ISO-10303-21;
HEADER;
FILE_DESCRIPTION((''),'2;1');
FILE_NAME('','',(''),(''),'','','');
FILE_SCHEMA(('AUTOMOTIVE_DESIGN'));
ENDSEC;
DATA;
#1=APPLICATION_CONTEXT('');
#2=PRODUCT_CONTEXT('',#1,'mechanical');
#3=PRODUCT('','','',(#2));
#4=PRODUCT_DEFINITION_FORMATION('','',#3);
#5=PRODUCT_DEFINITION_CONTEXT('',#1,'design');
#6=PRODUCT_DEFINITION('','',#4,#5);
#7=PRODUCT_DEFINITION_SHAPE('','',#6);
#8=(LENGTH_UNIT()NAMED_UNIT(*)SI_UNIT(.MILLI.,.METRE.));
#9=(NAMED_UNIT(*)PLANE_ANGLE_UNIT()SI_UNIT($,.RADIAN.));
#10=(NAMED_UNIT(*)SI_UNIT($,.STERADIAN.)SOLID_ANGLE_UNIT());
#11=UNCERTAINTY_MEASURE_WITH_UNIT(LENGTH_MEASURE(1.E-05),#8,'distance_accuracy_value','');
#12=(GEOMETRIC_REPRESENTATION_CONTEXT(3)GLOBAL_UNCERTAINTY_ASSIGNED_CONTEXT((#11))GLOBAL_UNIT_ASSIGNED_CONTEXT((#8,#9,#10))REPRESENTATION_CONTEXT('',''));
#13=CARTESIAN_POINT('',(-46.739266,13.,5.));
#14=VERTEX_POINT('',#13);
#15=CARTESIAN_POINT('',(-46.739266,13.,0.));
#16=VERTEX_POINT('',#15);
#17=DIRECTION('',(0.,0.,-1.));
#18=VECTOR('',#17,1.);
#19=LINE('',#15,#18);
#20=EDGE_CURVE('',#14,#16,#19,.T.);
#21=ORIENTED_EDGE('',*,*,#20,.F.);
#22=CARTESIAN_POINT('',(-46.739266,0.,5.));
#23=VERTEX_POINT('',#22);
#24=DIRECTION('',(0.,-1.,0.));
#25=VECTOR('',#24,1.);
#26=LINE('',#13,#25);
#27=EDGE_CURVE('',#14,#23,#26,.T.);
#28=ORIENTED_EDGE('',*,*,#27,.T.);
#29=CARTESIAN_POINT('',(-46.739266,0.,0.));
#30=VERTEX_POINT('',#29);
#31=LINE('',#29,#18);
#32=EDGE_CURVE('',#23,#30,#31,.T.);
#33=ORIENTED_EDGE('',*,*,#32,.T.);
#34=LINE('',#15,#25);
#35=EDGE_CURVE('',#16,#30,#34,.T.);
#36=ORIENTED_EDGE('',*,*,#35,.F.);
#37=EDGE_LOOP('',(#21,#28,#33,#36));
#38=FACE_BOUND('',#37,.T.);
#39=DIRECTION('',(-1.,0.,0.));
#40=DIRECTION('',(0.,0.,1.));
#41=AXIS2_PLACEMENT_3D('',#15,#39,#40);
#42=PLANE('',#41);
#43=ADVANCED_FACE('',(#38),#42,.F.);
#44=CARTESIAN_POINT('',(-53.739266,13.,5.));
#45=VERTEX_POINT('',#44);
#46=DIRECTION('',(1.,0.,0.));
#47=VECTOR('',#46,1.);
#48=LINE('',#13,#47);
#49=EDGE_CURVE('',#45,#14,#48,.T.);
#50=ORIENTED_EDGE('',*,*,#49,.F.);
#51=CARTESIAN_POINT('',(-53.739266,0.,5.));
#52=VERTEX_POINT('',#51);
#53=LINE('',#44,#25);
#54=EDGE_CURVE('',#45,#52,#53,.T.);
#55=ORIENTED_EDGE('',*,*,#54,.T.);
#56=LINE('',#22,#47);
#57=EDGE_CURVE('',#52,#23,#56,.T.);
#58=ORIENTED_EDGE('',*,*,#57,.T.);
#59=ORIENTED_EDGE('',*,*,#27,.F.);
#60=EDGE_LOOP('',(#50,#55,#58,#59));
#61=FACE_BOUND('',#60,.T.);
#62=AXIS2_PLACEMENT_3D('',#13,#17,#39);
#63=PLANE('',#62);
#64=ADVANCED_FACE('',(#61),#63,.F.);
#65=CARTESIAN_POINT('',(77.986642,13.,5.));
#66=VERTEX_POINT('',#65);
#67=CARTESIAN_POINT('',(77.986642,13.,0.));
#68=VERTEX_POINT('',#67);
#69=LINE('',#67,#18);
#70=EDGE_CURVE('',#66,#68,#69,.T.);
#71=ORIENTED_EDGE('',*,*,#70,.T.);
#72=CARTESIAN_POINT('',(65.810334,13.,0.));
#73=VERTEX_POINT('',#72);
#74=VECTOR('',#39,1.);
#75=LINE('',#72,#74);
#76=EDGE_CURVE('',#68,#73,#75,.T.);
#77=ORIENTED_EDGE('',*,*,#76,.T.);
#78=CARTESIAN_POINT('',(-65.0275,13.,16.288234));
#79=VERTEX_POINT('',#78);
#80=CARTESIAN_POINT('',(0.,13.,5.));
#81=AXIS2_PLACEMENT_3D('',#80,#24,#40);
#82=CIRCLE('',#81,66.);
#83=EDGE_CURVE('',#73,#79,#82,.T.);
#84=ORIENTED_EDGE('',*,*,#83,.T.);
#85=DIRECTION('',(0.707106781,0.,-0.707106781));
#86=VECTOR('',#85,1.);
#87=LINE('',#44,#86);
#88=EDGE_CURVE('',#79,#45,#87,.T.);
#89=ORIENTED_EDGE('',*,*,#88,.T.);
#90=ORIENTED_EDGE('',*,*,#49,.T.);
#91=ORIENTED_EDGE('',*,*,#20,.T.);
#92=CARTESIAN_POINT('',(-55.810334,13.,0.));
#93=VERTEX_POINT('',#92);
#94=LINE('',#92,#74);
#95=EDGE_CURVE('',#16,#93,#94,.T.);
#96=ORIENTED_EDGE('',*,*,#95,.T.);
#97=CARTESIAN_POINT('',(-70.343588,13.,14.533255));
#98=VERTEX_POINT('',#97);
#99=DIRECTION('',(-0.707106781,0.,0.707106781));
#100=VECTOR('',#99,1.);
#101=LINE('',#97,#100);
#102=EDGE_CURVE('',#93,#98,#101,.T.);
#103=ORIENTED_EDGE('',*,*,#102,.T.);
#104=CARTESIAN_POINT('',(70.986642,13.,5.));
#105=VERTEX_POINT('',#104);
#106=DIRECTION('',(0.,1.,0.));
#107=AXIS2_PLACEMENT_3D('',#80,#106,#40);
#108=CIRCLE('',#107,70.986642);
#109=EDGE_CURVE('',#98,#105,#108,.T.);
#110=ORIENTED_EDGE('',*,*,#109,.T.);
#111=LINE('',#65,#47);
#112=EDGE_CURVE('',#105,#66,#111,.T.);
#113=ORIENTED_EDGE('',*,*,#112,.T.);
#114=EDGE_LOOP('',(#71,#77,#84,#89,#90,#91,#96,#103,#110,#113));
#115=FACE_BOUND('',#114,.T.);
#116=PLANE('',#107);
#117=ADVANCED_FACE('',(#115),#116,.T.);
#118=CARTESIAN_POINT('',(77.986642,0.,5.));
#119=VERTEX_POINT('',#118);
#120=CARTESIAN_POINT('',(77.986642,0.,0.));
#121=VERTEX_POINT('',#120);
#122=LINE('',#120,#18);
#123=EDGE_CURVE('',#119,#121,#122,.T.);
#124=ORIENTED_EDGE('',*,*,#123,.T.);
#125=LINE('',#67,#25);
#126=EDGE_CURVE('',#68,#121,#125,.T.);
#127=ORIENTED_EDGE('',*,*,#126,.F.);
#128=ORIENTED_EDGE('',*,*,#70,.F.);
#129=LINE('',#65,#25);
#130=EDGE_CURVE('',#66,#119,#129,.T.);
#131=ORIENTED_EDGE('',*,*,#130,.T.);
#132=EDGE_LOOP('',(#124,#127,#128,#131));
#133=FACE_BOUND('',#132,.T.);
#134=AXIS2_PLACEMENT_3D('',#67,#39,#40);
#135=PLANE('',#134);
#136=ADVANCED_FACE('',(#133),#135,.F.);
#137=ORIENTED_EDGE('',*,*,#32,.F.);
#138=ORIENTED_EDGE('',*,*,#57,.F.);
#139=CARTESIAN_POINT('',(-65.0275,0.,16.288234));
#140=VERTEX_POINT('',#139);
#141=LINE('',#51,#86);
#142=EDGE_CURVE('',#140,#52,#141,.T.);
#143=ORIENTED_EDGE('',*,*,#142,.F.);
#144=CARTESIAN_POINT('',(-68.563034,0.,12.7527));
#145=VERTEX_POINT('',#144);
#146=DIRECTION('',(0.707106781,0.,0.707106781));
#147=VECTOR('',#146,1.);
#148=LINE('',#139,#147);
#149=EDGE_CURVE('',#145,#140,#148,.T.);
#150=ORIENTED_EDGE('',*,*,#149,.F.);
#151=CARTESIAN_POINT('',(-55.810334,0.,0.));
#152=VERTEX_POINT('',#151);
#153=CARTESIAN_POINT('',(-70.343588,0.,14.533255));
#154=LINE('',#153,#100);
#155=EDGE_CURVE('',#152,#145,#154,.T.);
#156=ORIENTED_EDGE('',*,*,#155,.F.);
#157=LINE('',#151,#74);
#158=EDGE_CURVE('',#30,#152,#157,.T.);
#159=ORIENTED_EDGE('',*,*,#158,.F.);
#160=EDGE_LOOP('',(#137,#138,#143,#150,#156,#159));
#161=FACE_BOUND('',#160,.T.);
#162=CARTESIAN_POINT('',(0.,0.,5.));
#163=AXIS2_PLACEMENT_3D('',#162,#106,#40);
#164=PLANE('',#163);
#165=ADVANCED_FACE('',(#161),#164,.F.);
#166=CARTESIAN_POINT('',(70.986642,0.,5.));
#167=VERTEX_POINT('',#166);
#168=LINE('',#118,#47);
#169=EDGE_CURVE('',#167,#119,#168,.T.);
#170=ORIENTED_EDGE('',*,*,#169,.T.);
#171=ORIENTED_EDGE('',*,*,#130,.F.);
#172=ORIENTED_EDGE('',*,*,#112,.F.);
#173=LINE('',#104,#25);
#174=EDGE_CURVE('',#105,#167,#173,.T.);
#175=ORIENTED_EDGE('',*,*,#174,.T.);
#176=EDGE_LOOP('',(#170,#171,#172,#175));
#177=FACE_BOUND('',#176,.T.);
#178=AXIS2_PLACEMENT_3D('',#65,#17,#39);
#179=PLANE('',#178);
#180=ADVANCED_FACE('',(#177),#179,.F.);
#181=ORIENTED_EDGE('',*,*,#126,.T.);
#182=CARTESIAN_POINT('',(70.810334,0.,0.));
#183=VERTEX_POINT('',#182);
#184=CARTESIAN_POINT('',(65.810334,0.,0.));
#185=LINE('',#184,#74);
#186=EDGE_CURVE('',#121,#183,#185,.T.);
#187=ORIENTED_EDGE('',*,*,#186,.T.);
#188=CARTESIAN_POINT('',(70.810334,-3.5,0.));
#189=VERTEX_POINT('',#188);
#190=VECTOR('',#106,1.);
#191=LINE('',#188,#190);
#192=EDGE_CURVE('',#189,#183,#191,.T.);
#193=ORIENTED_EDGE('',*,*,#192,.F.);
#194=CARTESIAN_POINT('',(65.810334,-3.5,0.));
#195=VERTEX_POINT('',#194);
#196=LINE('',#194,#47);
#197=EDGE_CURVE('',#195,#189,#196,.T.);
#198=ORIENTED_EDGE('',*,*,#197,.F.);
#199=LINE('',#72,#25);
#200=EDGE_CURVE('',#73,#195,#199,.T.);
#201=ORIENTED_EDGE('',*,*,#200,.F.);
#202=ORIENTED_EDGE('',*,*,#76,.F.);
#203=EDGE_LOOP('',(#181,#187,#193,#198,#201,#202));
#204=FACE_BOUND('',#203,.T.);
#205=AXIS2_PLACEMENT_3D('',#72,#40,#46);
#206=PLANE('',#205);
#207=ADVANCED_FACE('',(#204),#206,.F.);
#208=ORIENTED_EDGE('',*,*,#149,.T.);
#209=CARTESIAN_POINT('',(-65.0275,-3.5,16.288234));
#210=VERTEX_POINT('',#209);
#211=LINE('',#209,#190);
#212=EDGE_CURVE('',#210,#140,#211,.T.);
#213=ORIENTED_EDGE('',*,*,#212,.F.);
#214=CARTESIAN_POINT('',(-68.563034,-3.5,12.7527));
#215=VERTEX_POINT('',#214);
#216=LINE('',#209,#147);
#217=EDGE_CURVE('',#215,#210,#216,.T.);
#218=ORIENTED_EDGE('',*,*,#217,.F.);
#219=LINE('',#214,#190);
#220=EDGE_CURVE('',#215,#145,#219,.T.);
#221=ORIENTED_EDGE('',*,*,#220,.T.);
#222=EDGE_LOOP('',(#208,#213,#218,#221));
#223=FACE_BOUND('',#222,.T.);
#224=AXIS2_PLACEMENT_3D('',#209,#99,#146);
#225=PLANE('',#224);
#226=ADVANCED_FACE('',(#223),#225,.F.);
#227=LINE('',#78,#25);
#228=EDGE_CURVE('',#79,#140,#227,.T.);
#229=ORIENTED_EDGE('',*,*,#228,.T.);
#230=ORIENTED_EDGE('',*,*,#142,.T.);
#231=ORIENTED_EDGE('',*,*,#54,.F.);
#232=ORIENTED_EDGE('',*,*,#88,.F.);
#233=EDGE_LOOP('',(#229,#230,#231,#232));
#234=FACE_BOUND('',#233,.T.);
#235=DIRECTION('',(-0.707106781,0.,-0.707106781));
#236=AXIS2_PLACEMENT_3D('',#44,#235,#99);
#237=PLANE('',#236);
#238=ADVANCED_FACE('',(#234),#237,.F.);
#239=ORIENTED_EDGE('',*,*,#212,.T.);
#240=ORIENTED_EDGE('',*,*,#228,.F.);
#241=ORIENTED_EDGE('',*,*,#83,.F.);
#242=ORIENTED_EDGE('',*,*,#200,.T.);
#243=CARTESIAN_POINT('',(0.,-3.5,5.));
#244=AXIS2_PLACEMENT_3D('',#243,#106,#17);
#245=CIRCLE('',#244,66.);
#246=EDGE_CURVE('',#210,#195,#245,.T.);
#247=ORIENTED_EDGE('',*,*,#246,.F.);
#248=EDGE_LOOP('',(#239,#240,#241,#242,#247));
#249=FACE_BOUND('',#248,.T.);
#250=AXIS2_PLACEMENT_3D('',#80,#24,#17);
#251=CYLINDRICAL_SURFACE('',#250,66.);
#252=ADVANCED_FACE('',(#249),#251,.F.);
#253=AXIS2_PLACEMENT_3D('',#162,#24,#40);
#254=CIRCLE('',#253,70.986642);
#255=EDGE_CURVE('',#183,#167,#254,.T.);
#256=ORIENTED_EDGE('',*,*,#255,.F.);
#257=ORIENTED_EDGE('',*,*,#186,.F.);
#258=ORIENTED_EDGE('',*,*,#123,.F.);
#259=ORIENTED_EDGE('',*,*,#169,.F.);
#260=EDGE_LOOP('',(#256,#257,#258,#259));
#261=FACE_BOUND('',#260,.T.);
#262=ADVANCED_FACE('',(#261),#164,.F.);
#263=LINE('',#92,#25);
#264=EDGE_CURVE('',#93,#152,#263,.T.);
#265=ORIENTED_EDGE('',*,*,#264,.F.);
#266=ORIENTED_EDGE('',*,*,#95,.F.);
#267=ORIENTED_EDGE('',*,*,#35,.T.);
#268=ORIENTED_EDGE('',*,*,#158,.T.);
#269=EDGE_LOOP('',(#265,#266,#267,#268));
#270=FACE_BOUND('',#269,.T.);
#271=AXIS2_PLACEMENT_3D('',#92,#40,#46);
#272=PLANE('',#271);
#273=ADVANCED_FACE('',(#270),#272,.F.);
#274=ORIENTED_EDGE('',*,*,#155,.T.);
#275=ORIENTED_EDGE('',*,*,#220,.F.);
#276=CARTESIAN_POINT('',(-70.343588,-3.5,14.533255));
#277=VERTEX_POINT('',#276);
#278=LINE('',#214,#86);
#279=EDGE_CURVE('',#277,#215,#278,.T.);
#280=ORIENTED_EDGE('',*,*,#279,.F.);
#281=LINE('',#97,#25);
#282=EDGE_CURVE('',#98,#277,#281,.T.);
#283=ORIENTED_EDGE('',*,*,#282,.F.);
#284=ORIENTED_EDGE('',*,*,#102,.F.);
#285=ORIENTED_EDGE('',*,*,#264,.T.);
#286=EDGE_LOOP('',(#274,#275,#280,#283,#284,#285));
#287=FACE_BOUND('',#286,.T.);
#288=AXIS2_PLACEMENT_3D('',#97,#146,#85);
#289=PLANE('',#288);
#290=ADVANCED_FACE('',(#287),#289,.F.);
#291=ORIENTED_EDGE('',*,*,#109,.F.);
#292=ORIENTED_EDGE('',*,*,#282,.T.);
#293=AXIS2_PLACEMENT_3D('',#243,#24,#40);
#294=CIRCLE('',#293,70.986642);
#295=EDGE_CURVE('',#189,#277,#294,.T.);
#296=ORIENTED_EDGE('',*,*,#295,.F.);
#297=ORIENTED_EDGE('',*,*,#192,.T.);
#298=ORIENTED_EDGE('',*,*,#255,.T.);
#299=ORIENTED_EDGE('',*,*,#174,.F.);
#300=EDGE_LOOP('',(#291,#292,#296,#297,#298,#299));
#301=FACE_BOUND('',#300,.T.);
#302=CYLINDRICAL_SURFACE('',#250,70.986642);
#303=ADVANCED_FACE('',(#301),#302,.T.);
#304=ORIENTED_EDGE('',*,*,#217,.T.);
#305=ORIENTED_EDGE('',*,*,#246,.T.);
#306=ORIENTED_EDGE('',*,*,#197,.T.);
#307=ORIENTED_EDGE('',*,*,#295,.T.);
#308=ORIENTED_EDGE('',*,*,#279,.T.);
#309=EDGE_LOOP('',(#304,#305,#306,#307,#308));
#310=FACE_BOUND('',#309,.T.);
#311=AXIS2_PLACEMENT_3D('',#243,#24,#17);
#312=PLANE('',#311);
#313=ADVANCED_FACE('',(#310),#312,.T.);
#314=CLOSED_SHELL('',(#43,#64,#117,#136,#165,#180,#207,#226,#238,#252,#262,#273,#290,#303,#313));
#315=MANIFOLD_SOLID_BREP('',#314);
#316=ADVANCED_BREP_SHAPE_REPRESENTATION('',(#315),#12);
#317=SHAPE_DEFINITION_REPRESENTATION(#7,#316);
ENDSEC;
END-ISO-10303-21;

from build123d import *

# Parameters (mm, degrees)
BOSS_EXTRUDE1_DEPTH = 13
BOSS_EXTRUDE2_DEPTH = 3.5


with BuildPart() as part:
    # Sketch1 → Boss-Extrude1 (new body)
    with BuildSketch(Plane(origin=(0, 0, 0), x_dir=(1, 0, 0), z_dir=(0, 1, 0))):
        with BuildLine():
            Line((-70.343588137, -14.533254602), (-55.810333535, 0))
            Line((-55.810333535, 0), (-46.739265723, 0))
            Line((-46.739265723, 0), (-46.739265723, -5))
            Line((-46.739265723, -5), (-53.739265723, -5))
            Line((-53.739265723, -5), (-65.02750007, -16.288234347))
            ThreePointArc((-65.02750007, -16.288234347), (8.153517743, -70.494428377), (65.810333535, 0))
            Line((65.810333535, 0), (77.98664195, 0))
            Line((77.98664195, 0), (77.98664195, -5))
            Line((77.98664195, -5), (70.98664195, -5))
            ThreePointArc((70.98664195, -5), (4.777459092, -75.825696043), (-70.343588137, -14.533254602))
        make_face()
    extrude(amount=BOSS_EXTRUDE1_DEPTH)

    # Sketch2 → Boss-Extrude2 (add)
    with BuildSketch(Plane.XZ):
        with BuildLine():
            Line((-65.02750007, 16.288234347), (-68.563033976, 12.752700441))
            Line((-68.563033976, 12.752700441), (-70.343588137, 14.533254602))
            ThreePointArc((-70.343588137, 14.533254602), (7.270373797, 75.613348598), (70.810333535, 0))
            Line((70.810333535, 0), (65.810333535, 0))
            ThreePointArc((65.810333535, 0), (8.153517743, 70.494428377), (-65.02750007, 16.288234347))
        make_face()
    extrude(amount=BOSS_EXTRUDE2_DEPTH)


solid = part.part
